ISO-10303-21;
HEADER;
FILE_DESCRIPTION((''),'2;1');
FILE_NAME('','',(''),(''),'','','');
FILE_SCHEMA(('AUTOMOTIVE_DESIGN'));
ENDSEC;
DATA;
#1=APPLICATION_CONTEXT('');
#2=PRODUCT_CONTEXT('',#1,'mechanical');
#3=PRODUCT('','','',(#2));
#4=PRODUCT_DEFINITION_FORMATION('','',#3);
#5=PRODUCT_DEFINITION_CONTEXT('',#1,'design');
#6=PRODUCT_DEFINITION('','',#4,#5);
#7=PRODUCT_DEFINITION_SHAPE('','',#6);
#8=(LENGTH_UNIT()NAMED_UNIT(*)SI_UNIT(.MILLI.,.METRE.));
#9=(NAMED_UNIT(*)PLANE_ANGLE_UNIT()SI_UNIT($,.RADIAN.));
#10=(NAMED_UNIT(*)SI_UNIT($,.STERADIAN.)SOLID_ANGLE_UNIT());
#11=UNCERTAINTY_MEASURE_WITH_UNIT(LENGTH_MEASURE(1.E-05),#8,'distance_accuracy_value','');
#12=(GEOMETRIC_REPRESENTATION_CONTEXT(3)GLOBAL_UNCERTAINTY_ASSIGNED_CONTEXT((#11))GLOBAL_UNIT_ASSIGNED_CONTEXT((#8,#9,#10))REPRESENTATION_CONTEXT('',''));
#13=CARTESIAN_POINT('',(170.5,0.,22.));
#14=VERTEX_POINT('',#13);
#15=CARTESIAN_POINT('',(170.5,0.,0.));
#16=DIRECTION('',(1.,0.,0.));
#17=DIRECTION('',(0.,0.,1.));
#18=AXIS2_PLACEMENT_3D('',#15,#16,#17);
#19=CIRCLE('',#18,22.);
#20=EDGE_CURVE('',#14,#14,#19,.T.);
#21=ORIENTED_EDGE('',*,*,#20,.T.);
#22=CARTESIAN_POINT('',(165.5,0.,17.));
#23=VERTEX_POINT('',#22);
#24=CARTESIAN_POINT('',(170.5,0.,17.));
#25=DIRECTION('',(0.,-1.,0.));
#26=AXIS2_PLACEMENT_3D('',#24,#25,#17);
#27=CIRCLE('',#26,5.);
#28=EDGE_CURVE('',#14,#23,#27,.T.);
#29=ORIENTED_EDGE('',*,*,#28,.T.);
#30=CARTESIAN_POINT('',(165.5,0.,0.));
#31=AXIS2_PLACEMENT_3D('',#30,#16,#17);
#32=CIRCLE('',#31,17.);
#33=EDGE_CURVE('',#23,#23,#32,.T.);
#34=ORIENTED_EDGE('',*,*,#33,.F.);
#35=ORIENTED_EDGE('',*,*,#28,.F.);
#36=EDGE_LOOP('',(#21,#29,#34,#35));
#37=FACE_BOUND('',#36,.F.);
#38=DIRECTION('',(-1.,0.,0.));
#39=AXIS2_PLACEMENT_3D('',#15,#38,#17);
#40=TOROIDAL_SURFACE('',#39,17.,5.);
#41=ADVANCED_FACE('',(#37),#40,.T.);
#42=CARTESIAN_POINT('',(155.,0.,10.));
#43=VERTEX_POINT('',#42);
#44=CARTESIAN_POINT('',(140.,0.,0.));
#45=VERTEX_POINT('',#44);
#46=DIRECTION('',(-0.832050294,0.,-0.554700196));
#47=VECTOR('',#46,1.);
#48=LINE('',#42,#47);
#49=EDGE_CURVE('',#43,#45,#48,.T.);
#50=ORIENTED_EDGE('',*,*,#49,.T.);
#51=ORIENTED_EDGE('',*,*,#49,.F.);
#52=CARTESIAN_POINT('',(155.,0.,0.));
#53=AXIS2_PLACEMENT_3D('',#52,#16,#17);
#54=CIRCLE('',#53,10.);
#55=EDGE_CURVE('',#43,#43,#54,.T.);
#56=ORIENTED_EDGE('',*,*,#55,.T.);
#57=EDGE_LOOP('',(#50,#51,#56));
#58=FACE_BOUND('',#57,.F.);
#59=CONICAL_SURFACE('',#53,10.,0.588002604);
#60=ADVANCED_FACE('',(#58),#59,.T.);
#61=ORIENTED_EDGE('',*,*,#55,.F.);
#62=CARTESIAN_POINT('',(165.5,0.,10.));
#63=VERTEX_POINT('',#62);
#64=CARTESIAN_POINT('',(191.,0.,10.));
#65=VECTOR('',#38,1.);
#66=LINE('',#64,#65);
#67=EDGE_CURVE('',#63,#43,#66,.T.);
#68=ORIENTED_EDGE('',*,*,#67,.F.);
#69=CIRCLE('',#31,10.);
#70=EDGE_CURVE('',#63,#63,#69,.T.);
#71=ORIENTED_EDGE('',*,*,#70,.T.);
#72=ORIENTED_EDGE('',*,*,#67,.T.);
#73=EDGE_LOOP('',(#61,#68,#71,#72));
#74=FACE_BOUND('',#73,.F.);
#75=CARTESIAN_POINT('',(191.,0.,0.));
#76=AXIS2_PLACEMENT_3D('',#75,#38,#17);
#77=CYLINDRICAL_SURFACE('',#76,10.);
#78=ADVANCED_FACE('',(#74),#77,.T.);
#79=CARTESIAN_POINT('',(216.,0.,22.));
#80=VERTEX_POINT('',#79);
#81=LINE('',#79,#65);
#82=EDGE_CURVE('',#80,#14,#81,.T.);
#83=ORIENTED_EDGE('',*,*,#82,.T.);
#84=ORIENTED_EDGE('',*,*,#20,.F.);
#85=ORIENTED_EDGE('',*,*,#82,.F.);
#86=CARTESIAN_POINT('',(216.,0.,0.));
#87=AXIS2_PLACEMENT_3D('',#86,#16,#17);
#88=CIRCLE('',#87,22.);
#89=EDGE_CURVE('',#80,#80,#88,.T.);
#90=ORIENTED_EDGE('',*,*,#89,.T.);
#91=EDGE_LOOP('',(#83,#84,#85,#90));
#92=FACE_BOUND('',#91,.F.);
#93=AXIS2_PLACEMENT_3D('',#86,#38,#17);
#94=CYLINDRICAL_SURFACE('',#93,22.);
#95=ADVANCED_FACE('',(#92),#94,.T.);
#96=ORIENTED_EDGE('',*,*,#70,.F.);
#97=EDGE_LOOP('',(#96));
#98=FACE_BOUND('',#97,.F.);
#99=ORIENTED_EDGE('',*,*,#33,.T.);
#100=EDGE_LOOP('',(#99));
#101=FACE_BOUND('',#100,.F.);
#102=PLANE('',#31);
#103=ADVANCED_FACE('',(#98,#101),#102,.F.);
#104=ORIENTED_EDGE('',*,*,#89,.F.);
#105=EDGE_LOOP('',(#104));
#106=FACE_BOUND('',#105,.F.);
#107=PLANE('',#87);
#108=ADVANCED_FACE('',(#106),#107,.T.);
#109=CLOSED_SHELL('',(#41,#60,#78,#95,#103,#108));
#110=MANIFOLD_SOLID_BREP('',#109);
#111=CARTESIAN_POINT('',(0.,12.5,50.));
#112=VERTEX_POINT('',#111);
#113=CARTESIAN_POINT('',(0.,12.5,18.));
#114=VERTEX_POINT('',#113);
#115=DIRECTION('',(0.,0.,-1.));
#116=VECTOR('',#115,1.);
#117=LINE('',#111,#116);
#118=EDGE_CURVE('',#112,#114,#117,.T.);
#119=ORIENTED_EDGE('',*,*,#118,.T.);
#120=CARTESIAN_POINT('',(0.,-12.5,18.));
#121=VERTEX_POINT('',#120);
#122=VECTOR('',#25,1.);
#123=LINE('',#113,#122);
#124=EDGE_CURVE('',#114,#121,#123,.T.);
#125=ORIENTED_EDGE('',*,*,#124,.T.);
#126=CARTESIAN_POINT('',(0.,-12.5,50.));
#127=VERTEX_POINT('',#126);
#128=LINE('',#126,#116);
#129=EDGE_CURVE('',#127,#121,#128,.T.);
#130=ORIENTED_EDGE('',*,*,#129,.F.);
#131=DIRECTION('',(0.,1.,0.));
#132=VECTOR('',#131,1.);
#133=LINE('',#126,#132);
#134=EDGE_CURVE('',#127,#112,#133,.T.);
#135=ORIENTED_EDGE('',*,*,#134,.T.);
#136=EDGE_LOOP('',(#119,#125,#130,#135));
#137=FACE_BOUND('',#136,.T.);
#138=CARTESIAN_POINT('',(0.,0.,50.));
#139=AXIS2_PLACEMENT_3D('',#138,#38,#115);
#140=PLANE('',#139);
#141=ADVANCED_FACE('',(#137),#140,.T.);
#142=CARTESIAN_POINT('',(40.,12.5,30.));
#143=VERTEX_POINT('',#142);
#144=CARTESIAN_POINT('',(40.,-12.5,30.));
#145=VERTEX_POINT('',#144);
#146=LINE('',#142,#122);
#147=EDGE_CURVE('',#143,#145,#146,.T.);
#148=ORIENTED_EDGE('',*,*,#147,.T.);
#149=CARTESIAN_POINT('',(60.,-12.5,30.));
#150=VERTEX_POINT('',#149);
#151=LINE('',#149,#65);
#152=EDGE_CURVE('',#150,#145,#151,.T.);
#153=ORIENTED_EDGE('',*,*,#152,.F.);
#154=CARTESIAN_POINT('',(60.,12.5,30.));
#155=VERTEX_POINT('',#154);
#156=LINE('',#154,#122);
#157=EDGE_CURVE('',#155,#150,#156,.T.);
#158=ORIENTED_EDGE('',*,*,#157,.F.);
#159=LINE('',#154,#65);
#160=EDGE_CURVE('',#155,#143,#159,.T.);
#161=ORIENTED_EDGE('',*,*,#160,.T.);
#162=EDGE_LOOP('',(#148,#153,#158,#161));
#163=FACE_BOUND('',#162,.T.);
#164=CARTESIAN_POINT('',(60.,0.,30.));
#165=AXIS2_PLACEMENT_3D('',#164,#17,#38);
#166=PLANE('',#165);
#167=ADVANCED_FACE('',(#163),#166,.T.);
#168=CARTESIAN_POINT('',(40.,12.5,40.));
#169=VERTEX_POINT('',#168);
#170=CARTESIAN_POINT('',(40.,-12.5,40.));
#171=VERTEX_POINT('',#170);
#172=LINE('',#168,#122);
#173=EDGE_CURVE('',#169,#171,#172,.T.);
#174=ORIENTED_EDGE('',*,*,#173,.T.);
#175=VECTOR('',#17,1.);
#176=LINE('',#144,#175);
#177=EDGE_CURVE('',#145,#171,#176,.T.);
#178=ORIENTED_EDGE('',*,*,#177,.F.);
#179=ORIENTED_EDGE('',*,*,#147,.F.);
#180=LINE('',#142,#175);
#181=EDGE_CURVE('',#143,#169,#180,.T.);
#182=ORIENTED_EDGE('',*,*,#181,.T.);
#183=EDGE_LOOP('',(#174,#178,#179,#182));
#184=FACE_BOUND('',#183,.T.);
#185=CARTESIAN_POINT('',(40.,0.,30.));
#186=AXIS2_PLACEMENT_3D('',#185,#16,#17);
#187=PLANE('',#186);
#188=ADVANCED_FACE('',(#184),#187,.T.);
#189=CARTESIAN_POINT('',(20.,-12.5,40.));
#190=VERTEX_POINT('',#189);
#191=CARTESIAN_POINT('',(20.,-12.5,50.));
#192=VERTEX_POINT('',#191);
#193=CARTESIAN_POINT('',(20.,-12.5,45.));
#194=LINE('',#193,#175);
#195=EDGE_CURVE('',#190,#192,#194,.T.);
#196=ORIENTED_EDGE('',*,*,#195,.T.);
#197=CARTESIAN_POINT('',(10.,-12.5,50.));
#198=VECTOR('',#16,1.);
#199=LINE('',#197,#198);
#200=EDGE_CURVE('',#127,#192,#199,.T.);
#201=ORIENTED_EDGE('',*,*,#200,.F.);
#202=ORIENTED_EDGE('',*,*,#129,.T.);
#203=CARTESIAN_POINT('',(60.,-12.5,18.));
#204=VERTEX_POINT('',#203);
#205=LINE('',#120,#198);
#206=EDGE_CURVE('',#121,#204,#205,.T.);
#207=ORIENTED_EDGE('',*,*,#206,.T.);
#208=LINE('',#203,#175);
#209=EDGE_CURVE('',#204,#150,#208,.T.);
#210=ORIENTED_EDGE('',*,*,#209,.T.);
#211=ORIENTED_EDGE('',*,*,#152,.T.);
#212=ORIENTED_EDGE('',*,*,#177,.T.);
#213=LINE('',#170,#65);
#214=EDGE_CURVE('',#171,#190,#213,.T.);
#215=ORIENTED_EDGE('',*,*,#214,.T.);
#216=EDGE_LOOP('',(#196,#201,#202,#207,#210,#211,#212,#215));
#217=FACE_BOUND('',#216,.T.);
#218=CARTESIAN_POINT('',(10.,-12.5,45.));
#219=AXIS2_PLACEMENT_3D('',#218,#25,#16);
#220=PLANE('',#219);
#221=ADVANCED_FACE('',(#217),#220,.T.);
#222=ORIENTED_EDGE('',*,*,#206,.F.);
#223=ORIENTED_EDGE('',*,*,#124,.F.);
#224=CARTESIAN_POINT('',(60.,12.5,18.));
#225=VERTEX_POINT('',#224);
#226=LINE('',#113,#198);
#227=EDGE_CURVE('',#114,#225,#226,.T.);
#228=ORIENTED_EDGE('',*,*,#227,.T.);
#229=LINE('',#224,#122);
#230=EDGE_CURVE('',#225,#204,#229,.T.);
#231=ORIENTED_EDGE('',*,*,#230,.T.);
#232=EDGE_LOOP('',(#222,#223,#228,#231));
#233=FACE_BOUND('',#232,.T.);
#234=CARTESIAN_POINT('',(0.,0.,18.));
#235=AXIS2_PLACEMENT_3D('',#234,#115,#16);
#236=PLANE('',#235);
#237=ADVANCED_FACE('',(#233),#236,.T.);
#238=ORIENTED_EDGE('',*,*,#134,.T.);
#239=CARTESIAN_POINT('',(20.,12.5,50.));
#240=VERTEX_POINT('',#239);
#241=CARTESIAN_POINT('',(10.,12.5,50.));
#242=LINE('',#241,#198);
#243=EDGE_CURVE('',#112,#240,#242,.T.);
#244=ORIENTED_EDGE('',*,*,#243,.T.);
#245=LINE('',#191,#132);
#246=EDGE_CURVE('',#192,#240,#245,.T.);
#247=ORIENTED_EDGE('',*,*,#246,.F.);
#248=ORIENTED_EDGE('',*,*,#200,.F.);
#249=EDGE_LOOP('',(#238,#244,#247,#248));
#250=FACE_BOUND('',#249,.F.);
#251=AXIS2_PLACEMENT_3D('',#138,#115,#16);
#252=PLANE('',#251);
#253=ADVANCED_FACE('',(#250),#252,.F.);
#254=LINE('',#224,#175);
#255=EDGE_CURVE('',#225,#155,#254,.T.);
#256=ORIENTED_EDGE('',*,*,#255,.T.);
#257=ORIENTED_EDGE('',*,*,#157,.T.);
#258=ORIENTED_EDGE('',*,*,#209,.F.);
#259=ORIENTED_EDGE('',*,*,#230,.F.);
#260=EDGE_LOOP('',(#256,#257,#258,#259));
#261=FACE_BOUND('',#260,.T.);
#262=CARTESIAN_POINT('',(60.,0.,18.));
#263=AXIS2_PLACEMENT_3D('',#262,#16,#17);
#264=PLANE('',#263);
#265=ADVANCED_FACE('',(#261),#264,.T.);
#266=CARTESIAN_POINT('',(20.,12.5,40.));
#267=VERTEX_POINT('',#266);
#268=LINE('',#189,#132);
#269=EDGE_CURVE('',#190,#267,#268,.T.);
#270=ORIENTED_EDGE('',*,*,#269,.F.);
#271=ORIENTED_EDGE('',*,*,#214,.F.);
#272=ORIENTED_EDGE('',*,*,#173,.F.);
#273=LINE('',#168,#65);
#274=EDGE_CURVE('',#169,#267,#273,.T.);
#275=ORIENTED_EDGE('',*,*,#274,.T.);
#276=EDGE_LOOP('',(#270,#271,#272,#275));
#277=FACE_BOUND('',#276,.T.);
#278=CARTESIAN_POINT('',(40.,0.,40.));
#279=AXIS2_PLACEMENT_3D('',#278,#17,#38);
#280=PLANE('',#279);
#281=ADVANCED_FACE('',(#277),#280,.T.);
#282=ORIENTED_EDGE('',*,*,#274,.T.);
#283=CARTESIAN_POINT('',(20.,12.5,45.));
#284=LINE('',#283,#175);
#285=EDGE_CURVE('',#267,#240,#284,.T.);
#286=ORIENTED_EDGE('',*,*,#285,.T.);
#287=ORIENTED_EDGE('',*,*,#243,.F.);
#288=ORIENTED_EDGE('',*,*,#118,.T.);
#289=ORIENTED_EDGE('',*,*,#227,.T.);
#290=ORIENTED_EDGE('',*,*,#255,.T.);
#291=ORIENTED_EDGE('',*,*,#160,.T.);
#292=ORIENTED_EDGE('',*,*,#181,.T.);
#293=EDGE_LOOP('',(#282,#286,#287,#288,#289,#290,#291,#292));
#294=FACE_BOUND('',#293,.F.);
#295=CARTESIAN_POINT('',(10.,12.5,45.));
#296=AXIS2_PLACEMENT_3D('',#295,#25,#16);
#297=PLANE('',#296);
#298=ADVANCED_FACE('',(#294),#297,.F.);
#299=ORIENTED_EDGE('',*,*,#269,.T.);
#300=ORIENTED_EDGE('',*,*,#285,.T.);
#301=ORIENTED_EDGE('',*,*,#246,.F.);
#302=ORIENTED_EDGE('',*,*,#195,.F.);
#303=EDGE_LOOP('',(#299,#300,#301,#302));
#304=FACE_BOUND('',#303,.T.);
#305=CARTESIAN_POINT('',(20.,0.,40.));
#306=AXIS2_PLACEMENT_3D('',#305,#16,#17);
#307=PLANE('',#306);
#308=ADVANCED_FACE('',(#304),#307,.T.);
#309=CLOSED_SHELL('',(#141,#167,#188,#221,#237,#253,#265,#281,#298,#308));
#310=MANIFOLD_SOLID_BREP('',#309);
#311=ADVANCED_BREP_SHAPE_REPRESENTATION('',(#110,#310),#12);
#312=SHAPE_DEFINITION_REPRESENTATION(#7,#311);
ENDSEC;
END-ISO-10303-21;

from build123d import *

# Parameters (mm, degrees)
F0_W     = 20
F0_H     = 10
F1_DEPTH = 12.5
F0_W_2   = 25.5
F0_W_3   = 10.5


with BuildPart() as f1:
    # F0 (on Front) → F1 (new body, symmetric)
    with BuildSketch(Plane.XZ):
        with Locations((10, 45)):
            Rectangle(F0_W, F0_H)
        Polygon((40, 30), (0, 30), (0, 18), (60, 18), (60, 30), align=None)
        Polygon((20, 40), (0, 40), (0, 30), (40, 30), (40, 40), align=None)
    extrude(amount=F1_DEPTH, both=True)


with BuildPart() as f2:
    # F0 (on Front) → F2 (revolve)
    with BuildSketch(Plane.XZ):
        with Locations((178.25, 5)):
            Rectangle(F0_W_2, F0_H)
        with Locations((160.25, 5)):
            Rectangle(F0_W_3, F0_H)
        Polygon((155, 10), (140, 0), (155, 0), align=None)
        with BuildLine():
            Line((165.5, 17), (165.5, 10))
            Line((165.5, 10), (191, 10))
            Line((191, 10), (191, 22))
            Line((191, 22), (170.5, 22))
            ThreePointArc((170.5, 22), (166.9644660941, 20.5355339059), (165.5, 17))
        make_face()
        Polygon((191, 22), (191, 10), (191, 0), (216, 0), (216, 22), align=None)
    revolve(axis=Axis((178.25, 0, 0), (1, 0, 0)))


solid = Compound([f1.part, f2.part])
